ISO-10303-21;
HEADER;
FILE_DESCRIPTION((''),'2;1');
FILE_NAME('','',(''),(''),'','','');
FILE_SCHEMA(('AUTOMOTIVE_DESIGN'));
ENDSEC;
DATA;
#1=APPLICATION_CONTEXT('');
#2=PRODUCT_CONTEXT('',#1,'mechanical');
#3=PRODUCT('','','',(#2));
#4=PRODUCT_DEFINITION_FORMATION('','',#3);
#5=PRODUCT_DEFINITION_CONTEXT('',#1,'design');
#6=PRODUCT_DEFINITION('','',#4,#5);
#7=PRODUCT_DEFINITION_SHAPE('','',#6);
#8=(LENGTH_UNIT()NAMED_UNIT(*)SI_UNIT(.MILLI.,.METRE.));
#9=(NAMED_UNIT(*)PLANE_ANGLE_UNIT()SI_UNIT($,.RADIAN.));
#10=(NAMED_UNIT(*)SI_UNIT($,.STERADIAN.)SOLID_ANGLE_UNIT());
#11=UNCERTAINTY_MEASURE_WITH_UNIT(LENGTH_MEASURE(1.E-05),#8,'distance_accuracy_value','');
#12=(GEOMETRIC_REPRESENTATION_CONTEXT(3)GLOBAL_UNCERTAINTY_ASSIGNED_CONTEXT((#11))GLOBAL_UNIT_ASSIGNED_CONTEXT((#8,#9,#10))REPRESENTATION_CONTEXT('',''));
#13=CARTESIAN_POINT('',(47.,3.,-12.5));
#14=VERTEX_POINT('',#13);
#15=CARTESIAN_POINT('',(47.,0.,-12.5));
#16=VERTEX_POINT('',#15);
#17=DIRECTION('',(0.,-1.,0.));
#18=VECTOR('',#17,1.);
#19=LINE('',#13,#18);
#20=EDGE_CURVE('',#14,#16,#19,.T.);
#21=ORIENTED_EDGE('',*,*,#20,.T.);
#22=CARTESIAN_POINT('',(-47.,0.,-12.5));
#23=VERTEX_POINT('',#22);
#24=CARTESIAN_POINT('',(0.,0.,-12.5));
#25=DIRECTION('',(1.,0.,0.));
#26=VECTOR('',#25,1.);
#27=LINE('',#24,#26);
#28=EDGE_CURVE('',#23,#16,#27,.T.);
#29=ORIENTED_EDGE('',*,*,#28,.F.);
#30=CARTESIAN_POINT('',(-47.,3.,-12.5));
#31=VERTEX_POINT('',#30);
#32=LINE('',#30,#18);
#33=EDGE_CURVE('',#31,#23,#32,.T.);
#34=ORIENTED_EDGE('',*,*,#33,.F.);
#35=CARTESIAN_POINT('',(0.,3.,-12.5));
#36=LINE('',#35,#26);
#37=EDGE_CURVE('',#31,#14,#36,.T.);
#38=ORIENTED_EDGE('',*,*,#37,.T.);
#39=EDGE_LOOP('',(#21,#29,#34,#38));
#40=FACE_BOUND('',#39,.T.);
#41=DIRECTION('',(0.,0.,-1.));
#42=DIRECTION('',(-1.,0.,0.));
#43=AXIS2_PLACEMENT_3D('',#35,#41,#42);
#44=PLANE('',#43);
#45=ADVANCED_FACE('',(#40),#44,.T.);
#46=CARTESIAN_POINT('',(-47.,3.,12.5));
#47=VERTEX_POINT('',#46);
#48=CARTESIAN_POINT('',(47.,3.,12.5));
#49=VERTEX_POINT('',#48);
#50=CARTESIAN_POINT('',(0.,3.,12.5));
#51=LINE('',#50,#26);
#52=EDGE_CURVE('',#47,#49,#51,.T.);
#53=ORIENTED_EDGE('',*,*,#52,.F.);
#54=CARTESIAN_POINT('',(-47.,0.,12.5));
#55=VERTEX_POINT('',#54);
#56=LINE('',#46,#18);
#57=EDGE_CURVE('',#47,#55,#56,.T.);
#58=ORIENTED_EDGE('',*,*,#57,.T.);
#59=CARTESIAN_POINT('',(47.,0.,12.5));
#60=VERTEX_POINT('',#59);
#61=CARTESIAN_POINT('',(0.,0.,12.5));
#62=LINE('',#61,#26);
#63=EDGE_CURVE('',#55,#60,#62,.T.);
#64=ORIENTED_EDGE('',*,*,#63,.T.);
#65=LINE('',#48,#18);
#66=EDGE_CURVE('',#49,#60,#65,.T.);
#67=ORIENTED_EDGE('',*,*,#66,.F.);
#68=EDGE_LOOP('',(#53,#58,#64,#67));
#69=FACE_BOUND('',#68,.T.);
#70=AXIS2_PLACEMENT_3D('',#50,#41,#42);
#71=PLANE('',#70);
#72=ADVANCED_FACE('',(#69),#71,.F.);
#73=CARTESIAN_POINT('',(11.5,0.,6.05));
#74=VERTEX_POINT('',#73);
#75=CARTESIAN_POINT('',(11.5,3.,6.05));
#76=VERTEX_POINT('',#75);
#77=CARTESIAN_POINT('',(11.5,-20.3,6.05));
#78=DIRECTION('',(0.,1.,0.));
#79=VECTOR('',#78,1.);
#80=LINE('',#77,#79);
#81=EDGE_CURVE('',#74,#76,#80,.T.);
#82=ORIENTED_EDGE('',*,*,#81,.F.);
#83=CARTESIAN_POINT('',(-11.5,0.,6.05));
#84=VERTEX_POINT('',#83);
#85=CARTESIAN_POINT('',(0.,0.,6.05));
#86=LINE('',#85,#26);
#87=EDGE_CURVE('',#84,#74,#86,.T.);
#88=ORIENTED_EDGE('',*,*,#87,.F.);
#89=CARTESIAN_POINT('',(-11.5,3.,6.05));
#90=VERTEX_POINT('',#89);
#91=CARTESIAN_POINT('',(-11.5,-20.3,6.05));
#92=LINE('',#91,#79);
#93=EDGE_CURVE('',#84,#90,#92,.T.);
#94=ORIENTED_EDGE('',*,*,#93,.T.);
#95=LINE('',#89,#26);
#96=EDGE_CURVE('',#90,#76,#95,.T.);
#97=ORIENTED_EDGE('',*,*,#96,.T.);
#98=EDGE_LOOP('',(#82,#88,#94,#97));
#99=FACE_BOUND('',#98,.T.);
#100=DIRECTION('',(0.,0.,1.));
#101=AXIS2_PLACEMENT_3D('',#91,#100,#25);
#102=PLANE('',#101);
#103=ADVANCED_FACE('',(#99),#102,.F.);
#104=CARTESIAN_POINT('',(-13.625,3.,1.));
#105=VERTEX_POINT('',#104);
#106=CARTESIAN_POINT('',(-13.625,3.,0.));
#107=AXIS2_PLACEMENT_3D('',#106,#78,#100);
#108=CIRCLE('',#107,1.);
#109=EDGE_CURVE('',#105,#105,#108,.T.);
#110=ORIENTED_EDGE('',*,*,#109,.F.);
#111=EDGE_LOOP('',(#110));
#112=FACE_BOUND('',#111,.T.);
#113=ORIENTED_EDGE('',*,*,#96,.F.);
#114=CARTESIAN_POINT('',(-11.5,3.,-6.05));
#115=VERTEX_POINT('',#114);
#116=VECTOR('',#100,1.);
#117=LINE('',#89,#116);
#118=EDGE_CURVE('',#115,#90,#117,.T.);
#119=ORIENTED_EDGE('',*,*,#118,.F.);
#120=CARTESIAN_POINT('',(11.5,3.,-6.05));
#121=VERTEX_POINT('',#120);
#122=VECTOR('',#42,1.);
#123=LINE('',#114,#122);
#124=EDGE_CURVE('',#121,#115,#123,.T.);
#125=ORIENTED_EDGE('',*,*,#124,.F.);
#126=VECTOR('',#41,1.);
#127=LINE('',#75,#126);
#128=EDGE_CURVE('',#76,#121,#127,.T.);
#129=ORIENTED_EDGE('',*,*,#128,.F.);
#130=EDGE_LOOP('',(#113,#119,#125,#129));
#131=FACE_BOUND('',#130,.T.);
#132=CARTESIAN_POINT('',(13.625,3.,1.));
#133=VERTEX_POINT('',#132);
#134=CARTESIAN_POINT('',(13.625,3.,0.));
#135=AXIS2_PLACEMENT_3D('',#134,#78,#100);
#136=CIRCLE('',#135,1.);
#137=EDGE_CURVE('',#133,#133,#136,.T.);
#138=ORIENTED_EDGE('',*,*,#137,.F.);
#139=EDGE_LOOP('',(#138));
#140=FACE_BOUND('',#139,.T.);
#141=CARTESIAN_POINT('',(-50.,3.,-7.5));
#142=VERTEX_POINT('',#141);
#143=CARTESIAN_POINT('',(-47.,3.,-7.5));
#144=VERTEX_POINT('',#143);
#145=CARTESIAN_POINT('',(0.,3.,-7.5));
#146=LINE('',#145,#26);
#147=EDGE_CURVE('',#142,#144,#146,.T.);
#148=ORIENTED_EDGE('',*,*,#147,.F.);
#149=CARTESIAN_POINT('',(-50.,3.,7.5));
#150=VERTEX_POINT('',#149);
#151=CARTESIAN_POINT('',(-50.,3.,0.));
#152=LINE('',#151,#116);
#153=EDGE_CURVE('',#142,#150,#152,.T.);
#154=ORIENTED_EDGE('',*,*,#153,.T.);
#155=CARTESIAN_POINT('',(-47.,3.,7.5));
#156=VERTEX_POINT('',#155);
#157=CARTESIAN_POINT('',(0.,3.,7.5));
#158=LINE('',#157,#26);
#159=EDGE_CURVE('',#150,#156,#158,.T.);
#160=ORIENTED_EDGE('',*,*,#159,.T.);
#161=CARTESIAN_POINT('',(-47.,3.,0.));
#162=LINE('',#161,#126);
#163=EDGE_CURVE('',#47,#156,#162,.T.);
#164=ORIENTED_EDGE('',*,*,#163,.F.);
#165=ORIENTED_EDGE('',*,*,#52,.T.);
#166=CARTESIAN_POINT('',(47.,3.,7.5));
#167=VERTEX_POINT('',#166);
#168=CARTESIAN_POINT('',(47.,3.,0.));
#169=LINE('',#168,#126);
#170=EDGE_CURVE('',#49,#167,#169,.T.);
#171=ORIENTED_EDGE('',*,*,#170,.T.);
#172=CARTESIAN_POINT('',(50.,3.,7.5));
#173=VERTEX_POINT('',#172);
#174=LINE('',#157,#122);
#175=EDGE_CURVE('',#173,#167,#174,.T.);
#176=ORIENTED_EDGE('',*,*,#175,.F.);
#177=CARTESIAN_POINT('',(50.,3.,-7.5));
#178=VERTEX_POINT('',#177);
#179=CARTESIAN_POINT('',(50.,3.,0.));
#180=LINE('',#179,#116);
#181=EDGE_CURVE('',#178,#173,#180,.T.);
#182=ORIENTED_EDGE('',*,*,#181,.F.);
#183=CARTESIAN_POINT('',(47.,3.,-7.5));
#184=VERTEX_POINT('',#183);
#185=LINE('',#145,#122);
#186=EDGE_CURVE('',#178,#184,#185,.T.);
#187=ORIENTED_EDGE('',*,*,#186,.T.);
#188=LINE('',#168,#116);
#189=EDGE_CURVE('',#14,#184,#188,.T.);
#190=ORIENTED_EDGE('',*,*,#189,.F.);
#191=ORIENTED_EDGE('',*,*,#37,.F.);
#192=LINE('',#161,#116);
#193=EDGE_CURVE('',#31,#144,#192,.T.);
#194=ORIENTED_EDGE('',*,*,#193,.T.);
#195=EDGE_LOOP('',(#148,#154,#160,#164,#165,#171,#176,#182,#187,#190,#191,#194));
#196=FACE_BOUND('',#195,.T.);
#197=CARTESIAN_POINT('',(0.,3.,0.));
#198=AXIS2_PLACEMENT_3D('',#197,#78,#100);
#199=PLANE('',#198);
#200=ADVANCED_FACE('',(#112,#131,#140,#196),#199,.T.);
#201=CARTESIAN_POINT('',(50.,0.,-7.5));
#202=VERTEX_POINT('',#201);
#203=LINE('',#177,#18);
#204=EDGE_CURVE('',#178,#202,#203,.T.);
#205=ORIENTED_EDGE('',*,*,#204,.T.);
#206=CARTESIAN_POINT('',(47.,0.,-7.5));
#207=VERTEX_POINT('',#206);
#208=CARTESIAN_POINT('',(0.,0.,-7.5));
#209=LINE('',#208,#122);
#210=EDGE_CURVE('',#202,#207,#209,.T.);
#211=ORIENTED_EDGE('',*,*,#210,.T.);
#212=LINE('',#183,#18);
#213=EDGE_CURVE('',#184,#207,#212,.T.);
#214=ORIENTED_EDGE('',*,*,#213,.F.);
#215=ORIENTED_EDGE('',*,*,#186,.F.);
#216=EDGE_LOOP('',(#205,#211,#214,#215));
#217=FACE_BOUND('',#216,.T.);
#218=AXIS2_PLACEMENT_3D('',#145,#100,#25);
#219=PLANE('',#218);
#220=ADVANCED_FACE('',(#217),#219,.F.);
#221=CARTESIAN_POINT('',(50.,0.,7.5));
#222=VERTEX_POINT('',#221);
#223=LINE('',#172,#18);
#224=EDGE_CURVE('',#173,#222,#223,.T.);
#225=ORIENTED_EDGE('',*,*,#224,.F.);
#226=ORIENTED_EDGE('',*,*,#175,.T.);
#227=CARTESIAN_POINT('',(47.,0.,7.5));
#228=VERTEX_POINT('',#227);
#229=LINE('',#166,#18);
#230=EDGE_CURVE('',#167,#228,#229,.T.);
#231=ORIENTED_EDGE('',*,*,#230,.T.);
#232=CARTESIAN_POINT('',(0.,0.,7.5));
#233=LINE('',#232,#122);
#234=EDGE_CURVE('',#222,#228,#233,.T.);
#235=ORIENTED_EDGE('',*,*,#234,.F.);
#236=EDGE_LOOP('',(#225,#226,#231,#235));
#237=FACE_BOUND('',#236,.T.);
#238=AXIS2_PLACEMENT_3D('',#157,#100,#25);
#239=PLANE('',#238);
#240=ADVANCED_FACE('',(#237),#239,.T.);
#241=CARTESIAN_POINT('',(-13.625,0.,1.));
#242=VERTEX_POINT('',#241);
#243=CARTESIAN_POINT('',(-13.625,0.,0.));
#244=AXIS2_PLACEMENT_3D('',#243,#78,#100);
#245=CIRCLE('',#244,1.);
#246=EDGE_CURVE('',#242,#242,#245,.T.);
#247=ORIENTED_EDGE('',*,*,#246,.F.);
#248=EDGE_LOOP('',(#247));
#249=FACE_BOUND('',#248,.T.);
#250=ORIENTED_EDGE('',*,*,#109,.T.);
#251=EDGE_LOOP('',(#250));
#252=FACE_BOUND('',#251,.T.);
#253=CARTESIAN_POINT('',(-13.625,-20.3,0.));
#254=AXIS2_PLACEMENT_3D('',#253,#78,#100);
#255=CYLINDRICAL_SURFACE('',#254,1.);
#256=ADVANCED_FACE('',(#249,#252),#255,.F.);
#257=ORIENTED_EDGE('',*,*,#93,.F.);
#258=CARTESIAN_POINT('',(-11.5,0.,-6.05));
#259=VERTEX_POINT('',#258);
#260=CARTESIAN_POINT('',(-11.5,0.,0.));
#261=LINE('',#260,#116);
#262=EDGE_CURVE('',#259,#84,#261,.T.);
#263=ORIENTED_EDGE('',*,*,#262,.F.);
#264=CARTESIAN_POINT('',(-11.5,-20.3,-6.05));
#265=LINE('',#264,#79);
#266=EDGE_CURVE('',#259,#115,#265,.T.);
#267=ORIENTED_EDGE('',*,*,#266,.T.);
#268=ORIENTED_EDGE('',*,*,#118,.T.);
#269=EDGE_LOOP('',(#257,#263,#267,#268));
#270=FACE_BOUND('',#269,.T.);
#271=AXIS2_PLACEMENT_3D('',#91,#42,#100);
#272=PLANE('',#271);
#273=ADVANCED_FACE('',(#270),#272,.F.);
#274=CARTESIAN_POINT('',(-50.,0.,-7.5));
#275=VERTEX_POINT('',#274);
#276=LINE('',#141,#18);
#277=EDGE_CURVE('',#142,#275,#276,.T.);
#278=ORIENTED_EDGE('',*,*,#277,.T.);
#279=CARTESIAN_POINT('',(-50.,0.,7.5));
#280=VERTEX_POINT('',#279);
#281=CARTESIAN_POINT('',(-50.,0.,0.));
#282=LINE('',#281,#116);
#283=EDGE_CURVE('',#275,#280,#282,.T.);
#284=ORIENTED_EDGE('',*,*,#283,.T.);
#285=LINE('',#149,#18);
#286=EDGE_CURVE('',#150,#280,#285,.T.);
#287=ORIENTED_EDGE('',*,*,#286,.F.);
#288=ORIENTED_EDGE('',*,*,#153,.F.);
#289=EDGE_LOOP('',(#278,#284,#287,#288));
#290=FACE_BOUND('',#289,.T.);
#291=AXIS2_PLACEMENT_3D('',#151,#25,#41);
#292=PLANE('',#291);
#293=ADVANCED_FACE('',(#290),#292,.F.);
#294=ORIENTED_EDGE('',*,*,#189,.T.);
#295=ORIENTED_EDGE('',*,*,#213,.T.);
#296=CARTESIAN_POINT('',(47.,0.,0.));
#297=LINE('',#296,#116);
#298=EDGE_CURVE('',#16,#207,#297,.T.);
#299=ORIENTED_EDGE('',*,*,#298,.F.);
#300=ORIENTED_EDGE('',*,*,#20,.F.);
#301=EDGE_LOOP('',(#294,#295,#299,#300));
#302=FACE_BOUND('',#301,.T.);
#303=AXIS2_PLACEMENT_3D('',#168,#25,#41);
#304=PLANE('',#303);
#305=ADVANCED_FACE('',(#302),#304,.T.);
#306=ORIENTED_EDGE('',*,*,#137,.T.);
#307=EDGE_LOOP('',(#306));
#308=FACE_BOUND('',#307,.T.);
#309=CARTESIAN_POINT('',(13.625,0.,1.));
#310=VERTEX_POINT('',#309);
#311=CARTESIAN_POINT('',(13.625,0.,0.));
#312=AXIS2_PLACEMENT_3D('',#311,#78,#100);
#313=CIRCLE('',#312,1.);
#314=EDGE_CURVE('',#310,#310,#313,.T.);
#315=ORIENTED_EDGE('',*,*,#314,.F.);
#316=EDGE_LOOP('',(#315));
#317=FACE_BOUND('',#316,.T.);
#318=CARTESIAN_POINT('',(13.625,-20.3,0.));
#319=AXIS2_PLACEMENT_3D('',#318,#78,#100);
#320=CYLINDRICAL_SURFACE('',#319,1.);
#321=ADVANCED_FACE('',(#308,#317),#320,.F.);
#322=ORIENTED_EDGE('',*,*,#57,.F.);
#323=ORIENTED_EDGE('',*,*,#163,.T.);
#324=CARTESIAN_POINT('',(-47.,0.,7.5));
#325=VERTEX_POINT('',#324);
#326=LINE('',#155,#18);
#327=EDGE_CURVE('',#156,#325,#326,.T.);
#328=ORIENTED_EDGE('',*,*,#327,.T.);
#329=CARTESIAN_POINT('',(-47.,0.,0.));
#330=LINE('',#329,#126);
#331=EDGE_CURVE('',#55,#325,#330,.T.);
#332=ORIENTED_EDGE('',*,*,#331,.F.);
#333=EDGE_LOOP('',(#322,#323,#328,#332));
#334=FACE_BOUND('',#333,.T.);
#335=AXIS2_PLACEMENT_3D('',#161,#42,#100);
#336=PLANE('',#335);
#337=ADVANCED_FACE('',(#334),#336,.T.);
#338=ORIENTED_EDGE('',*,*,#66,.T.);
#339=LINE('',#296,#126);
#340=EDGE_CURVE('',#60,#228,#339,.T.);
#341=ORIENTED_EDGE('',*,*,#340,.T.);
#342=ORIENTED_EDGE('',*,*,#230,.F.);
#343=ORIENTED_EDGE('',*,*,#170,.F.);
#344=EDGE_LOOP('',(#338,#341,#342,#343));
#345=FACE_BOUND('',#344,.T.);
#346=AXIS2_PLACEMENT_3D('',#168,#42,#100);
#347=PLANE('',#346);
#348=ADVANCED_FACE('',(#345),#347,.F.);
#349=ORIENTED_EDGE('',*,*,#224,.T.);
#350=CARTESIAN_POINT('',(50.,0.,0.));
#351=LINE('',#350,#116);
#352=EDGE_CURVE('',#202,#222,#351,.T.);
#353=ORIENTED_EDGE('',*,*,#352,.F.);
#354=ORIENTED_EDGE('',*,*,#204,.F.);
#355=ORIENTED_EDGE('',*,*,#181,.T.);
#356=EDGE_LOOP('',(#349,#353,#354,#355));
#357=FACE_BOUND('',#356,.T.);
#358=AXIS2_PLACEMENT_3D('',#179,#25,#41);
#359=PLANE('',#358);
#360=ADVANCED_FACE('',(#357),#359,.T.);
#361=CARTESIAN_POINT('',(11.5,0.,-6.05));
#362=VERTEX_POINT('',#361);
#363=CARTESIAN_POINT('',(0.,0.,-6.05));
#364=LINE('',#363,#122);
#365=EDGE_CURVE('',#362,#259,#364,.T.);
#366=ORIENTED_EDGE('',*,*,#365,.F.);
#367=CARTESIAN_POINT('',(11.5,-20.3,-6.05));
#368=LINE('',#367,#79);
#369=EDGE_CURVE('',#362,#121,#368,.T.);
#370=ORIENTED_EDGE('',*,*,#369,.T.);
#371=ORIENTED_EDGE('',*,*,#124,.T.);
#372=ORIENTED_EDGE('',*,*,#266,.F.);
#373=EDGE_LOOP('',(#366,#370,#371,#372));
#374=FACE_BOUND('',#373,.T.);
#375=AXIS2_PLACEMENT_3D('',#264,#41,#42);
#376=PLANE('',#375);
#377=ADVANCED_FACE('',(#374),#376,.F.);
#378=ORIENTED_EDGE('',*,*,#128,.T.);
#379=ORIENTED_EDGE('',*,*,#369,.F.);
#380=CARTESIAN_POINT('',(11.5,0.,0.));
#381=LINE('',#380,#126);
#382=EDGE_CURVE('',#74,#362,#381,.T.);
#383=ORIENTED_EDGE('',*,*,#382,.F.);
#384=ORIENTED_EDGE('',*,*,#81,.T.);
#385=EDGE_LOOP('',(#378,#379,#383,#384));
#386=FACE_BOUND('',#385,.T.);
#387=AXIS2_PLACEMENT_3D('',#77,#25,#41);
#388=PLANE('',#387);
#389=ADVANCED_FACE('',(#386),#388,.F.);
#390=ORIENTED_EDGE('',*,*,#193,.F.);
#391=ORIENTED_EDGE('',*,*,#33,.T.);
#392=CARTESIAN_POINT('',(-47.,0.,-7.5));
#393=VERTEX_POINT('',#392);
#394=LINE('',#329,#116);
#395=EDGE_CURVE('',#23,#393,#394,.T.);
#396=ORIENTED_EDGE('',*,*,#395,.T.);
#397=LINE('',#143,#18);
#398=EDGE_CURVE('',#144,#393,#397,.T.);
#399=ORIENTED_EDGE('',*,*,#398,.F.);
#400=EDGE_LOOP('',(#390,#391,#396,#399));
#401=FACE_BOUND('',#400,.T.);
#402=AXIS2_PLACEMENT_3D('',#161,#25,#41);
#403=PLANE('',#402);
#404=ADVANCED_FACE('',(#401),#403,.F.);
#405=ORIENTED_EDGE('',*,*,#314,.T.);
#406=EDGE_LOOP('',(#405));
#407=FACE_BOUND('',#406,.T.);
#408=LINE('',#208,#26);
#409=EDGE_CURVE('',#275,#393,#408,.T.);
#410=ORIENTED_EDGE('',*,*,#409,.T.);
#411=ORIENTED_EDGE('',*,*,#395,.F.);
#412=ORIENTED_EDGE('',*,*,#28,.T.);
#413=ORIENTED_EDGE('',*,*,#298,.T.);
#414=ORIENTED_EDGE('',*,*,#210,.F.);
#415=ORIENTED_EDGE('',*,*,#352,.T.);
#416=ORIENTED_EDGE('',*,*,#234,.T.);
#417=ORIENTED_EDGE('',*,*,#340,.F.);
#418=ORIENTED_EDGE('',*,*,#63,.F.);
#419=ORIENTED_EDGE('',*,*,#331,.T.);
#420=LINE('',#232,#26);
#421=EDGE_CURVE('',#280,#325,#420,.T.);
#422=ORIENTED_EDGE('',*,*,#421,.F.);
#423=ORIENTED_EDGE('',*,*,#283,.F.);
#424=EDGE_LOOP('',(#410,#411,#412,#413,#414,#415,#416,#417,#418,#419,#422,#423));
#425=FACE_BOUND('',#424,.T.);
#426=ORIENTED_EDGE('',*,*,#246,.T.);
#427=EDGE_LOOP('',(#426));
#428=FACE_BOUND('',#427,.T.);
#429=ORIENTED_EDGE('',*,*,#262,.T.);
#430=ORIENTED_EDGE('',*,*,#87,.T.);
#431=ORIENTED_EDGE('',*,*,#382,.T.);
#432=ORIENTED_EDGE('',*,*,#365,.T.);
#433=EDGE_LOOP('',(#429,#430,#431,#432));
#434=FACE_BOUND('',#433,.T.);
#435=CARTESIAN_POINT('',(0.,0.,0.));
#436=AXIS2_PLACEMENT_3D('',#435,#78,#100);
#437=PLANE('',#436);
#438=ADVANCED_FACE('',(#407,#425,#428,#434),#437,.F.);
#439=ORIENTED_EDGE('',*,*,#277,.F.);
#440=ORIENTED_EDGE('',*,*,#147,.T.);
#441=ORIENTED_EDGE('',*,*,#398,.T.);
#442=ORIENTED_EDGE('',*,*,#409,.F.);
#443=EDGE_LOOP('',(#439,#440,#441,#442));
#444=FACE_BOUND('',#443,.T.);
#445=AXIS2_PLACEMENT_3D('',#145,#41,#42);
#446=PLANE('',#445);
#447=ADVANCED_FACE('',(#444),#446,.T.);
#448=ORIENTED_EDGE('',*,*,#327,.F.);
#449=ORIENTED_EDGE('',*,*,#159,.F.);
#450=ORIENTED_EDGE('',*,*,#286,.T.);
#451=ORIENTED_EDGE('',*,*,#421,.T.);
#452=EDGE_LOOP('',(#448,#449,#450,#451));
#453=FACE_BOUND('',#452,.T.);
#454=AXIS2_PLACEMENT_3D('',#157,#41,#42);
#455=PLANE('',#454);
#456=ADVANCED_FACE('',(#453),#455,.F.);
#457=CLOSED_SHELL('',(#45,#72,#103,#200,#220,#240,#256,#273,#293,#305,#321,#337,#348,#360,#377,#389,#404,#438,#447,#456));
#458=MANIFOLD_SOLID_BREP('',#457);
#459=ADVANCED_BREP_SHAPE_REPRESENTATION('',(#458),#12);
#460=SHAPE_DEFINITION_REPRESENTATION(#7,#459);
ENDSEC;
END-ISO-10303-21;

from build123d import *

# Parameters (mm, degrees)
BOSS_EXTRUDE1_DEPTH = 3
SKETCH2_R           = 1
SKETCH2_W           = 23
SKETCH2_H           = 12.1
CUT_EXTRUDE1_DEPTH  = 23.3


with BuildPart() as part:
    # Sketch1 → Boss-Extrude1 (new body)
    with BuildSketch(Plane(origin=(0, 0, 0), x_dir=(1, 0, 0), z_dir=(0, 1, 0))):
        Polygon((47, -7.5), (50, -7.5), (50, 7.5), (47, 7.5), (47, 12.5), (-47, 12.5), (-47, 7.5), (-50, 7.5), (-50, -7.5), (-47, -7.5), (-47, -12.5), (47, -12.5), align=None)
    extrude(amount=BOSS_EXTRUDE1_DEPTH)

    # Sketch2 → Cut-Extrude1 (cut)
    with BuildSketch(Plane(origin=(0, 3, 0), x_dir=(1, 0, 0), z_dir=(0, 1, 0))):
        with Locations(Location((-13.625, 0, 0), (0, 0, 270))):
            Circle(SKETCH2_R)
        with Locations(Location((13.625, 0, 0), (0, 0, 270))):
            Circle(SKETCH2_R)
        Rectangle(SKETCH2_W, SKETCH2_H)
    extrude(amount=-CUT_EXTRUDE1_DEPTH, mode=Mode.SUBTRACT)


solid = part.part
